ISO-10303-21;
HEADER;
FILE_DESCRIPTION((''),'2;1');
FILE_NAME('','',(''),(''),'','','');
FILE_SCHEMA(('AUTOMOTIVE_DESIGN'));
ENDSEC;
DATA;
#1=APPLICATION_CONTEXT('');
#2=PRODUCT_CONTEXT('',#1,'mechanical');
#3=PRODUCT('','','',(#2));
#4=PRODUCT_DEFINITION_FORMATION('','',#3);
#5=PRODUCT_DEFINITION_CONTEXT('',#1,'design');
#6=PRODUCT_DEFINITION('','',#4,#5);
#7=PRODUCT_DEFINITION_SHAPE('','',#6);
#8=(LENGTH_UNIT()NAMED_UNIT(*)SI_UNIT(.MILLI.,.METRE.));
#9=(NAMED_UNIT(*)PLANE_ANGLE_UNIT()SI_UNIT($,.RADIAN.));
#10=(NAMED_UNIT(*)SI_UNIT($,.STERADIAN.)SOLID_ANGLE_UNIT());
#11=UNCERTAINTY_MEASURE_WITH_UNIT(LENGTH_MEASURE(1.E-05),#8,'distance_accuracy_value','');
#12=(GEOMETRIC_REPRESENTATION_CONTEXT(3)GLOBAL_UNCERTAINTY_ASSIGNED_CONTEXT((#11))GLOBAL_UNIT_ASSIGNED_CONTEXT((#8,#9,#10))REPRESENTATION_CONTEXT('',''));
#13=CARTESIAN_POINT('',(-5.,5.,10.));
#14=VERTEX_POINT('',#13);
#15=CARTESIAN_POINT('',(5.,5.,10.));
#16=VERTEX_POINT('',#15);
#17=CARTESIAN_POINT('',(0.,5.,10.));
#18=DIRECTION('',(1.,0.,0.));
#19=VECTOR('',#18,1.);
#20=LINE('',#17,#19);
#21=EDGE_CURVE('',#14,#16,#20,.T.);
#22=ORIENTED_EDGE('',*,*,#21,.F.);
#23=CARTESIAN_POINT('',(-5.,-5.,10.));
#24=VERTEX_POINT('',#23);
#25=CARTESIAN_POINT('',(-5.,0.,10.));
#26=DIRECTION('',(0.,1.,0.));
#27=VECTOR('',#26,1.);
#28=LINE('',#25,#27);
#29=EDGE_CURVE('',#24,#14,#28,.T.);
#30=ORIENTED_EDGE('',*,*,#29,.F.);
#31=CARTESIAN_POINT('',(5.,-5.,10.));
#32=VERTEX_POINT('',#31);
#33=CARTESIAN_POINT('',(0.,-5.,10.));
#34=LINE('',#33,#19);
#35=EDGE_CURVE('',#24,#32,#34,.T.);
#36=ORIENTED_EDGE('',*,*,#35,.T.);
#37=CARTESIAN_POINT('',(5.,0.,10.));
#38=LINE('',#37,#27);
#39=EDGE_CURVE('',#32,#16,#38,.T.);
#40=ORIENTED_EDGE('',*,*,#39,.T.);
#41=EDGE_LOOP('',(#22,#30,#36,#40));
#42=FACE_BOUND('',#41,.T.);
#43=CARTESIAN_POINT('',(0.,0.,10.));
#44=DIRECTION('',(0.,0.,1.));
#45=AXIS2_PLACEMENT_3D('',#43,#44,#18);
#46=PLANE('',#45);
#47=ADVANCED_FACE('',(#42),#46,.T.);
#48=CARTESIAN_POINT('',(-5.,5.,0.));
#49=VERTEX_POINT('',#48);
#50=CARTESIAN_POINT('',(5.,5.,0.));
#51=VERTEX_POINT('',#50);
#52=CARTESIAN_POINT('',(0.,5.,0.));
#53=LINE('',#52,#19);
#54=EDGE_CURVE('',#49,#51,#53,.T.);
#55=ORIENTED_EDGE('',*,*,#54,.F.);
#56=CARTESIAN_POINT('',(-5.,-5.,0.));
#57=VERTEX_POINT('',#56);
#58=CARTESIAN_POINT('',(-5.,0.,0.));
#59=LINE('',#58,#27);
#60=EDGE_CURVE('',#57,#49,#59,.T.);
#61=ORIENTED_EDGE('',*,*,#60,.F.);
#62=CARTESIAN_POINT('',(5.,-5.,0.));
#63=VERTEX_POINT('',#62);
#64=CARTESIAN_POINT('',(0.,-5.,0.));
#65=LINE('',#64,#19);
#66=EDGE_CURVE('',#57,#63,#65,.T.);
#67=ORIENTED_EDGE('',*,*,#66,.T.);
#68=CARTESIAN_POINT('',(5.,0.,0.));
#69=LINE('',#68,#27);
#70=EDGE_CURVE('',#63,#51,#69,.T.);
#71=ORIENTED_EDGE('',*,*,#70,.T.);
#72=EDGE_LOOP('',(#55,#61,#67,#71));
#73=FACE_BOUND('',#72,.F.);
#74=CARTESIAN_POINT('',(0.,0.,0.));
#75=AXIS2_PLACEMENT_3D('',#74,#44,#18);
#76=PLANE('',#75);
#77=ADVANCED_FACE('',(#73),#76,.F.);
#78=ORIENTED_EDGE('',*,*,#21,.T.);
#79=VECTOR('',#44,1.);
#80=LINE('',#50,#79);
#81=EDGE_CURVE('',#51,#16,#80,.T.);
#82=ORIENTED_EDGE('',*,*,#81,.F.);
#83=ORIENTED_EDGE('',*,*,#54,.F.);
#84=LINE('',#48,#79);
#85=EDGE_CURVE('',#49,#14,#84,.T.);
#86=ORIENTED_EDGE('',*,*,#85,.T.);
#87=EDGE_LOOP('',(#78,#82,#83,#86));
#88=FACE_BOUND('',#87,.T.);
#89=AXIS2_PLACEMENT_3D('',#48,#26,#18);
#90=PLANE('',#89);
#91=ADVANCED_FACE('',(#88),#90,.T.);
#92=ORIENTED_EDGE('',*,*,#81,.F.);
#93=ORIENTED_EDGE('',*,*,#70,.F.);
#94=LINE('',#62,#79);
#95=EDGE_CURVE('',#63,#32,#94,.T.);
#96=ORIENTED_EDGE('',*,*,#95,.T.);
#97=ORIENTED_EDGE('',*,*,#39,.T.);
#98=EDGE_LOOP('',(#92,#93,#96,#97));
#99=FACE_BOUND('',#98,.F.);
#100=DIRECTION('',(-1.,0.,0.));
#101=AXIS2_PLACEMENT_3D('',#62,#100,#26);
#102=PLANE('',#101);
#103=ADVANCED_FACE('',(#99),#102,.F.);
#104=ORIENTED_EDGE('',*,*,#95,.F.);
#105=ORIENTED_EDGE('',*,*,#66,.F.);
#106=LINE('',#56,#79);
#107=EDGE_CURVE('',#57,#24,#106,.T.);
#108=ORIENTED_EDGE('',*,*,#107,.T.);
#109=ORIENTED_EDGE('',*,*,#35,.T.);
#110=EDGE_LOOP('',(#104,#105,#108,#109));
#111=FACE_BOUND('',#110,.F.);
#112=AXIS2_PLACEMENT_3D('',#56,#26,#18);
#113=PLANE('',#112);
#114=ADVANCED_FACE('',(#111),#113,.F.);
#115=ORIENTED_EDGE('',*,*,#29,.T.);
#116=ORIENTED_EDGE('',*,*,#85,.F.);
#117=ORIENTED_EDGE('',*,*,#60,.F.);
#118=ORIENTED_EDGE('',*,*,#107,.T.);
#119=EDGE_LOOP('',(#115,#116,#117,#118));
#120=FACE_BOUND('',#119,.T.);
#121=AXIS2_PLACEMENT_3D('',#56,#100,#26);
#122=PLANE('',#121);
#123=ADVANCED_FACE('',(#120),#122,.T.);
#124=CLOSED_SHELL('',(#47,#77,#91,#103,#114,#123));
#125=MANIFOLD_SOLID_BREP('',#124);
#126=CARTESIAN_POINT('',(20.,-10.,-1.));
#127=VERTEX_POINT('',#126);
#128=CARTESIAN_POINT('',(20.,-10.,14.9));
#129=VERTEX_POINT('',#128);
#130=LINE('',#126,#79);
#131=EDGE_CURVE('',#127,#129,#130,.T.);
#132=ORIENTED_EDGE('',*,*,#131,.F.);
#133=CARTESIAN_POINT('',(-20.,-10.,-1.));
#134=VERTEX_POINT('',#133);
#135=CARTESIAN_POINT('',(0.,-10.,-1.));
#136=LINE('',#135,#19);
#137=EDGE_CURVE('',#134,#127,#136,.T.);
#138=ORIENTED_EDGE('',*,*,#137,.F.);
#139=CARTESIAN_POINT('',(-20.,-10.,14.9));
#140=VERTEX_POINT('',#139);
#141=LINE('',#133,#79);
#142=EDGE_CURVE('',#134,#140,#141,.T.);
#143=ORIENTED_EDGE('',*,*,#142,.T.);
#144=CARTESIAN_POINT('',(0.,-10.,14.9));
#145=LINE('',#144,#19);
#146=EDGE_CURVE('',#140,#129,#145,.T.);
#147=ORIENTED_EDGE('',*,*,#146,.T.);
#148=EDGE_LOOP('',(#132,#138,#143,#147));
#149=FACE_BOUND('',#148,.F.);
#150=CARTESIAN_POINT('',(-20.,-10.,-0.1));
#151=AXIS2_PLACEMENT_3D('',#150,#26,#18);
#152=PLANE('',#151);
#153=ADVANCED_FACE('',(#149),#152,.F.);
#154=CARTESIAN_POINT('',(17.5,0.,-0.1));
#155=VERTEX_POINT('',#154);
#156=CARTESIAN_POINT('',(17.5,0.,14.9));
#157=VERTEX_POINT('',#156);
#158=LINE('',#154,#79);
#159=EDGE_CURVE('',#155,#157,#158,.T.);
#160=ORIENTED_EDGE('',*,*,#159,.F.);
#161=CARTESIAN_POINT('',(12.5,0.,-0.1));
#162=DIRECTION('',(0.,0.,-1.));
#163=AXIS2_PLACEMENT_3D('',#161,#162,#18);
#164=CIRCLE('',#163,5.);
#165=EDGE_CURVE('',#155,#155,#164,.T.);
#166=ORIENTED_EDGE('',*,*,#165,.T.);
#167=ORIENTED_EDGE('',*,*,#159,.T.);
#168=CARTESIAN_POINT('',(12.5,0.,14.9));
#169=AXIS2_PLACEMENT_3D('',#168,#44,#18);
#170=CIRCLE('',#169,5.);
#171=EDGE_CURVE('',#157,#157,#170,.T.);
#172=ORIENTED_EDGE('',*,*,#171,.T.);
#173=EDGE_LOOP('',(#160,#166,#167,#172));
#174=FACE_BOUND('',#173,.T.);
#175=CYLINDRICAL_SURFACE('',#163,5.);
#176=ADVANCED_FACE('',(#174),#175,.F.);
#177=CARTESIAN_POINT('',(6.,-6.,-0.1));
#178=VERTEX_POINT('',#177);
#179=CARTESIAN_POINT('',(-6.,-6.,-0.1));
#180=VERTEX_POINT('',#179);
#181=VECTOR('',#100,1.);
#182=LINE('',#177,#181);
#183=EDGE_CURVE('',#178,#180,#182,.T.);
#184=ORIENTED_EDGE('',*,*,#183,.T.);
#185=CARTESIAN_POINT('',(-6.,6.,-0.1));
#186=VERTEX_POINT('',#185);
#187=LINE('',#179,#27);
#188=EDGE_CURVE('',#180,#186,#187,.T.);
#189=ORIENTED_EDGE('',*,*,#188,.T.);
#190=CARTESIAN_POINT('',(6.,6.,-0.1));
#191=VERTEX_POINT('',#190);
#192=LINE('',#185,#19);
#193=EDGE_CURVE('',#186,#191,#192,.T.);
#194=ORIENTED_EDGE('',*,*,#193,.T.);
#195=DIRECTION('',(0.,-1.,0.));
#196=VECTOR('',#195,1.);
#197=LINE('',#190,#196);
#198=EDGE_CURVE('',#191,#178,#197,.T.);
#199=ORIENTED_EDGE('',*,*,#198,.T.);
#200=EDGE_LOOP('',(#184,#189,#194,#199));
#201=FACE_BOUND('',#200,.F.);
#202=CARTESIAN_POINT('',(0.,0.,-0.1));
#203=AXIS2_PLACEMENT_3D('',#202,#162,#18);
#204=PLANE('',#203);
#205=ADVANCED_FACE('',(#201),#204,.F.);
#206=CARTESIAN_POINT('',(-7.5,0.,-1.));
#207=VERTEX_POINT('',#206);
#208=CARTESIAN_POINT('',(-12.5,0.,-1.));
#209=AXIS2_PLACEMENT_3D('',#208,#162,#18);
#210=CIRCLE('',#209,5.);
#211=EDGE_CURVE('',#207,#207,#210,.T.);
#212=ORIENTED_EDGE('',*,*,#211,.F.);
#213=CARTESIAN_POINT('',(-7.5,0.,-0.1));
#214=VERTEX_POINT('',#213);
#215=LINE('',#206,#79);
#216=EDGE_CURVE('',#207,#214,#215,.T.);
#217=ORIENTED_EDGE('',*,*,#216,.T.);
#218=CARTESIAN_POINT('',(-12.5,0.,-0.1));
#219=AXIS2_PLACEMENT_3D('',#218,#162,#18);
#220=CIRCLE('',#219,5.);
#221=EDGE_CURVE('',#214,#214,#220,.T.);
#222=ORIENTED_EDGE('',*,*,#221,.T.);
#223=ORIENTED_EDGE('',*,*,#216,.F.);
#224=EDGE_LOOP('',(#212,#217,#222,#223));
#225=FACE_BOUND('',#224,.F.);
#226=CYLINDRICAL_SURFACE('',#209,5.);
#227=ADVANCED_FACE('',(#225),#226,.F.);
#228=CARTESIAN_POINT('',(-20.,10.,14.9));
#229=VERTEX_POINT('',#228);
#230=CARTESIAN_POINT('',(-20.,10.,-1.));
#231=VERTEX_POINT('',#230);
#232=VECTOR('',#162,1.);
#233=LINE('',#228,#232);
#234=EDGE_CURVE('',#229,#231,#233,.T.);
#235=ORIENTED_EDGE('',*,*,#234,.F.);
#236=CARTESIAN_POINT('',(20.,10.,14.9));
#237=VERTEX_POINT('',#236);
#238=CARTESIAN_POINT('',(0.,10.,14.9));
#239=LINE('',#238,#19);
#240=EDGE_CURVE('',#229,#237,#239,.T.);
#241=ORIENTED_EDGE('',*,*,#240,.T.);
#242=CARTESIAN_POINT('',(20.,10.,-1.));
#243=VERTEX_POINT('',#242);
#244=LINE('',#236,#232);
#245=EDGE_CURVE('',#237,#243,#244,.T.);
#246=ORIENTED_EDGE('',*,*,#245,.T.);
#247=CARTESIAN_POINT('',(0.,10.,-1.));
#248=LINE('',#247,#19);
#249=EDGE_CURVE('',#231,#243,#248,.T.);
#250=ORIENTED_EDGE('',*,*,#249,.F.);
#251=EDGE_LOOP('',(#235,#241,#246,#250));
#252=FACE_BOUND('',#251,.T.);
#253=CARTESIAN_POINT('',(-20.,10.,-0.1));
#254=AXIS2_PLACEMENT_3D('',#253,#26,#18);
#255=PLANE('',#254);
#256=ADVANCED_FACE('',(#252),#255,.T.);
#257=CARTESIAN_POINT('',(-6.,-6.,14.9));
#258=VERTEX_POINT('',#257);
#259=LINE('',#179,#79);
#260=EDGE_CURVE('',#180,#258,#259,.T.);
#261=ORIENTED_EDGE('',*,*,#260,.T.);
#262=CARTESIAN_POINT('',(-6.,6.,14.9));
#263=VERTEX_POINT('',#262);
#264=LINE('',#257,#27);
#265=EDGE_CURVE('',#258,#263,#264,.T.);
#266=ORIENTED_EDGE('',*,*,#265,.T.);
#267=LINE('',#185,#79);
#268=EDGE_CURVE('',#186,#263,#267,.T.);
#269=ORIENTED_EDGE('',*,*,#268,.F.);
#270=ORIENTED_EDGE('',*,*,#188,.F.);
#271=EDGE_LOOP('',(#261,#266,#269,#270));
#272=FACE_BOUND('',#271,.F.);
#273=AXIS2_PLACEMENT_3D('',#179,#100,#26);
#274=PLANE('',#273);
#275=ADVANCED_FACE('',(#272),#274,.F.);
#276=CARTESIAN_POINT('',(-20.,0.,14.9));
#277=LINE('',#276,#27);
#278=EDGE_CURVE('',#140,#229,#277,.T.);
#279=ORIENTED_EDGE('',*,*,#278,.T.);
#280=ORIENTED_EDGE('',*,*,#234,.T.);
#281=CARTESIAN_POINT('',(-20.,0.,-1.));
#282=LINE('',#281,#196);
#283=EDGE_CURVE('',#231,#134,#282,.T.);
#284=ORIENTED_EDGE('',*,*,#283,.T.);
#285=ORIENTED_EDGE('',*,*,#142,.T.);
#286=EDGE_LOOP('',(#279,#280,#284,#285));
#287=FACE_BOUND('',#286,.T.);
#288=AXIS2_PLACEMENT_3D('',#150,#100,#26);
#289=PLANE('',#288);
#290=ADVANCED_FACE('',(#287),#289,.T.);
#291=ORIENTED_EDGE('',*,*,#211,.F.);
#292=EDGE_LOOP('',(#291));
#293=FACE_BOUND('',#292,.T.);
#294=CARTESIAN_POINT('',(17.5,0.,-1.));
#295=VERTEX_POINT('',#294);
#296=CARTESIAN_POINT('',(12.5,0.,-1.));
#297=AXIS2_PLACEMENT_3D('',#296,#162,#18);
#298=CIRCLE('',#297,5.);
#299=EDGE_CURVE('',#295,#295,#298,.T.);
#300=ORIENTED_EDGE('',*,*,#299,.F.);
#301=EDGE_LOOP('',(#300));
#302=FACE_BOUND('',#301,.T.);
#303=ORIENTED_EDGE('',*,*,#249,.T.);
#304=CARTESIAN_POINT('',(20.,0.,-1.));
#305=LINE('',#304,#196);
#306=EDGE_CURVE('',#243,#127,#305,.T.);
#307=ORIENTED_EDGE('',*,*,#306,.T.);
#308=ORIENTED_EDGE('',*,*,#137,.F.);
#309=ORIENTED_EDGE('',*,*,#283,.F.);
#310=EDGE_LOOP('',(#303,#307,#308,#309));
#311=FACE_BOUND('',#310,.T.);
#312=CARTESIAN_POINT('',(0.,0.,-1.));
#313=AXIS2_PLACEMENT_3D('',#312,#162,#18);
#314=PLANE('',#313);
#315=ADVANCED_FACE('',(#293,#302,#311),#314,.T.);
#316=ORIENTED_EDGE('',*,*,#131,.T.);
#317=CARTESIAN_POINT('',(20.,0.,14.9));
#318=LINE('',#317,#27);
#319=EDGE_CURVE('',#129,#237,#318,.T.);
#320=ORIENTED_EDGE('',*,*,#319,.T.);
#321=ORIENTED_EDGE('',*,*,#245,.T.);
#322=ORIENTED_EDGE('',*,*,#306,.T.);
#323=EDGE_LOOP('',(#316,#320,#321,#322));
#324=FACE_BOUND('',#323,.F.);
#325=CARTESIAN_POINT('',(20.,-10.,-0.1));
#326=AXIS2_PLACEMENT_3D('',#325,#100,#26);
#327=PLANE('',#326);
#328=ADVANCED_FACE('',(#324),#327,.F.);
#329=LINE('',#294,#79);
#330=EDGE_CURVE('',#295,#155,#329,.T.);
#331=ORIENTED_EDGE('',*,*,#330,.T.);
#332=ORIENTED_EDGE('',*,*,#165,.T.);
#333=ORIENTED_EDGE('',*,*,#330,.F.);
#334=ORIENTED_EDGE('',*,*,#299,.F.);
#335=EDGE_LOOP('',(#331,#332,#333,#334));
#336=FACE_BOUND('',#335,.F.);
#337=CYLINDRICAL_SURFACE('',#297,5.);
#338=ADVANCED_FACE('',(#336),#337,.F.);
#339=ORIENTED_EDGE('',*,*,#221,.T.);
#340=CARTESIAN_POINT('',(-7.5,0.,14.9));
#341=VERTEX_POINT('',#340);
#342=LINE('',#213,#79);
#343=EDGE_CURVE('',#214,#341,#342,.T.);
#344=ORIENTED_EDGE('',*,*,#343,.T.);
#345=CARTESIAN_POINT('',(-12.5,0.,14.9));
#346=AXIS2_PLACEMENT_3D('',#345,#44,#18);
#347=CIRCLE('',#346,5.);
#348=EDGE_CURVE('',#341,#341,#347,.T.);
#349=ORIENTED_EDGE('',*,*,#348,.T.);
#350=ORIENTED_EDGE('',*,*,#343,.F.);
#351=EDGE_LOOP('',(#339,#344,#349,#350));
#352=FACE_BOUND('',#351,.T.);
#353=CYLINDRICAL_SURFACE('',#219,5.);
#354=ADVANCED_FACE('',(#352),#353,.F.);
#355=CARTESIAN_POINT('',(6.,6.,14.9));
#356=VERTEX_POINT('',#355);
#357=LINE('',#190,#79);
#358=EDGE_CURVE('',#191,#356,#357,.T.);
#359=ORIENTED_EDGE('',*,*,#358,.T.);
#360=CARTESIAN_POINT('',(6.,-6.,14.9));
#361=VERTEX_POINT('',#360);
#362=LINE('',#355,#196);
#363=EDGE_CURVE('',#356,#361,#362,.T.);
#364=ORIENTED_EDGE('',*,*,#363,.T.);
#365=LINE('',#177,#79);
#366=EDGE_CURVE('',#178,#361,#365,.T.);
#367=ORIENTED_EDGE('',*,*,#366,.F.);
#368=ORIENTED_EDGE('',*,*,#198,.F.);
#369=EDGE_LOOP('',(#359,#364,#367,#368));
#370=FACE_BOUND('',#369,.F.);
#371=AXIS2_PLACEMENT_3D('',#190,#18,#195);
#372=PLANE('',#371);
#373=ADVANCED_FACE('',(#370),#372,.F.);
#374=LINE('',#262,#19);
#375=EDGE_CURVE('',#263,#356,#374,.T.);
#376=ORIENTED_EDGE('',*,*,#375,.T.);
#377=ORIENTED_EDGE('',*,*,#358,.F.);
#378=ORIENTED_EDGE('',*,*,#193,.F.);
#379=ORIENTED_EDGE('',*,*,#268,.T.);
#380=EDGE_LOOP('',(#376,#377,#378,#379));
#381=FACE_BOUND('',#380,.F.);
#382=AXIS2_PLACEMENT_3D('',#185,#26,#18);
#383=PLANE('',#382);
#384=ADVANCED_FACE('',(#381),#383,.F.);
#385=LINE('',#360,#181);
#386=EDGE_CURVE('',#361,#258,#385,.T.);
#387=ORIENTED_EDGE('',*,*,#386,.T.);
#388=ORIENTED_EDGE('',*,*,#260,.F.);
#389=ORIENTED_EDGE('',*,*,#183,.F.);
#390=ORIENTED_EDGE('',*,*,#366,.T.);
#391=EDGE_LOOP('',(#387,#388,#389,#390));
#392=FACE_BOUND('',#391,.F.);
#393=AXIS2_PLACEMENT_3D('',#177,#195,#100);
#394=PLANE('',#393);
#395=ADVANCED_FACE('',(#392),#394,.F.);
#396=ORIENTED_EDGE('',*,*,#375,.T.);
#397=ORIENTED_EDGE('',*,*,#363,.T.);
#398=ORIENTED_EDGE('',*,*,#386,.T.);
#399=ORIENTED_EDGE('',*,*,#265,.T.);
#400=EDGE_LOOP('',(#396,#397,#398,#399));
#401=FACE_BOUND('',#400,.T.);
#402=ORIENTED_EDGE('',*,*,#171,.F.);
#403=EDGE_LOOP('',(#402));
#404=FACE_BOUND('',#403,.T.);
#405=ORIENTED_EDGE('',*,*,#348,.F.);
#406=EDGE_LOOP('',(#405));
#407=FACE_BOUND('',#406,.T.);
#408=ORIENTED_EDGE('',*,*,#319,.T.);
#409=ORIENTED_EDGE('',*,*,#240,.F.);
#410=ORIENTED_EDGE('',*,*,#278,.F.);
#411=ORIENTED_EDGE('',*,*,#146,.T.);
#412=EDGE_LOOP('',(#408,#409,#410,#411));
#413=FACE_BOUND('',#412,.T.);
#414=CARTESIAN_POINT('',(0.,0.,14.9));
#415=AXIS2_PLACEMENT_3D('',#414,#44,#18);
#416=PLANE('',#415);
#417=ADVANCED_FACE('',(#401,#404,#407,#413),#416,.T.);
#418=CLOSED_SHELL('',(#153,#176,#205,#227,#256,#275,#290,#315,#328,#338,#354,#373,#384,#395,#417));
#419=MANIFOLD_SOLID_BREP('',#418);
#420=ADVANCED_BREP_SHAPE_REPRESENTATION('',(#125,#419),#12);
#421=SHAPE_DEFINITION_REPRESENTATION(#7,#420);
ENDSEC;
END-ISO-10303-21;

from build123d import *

# Parameters (mm, degrees)
F0_W     = 10
F0_H     = 10
F1_DEPTH = 10
F3_W     = 40
F3_H     = 20
F3_R     = 5
F4_DEPTH = 0.9
F5_W     = 40
F5_H     = 20
F5_R     = 5
F6_DEPTH = 15


with BuildPart() as f1:
    # F0 (on Top) → F1 (new body)
    with BuildSketch(Plane.XY):
        Rectangle(F0_W, F0_H)
    extrude(amount=F1_DEPTH)


with BuildPart() as f4:
    # F3 (on offset) → F4 (new body)
    with BuildSketch(Plane(origin=(0, 0, -1), x_dir=(1, 0, 0), z_dir=(0, 0, -1))):
        Rectangle(F3_W, F3_H)
        with Locations((-12.5, 0)):
            Circle(F3_R, mode=Mode.SUBTRACT)
        with Locations((12.5, 0)):
            Circle(F3_R, mode=Mode.SUBTRACT)
    extrude(amount=-F4_DEPTH)

    # F5 (on face) → F6 (join)
    with BuildSketch(Plane.XY.offset(-0.1)):
        Rectangle(F5_W, F5_H)
        with Locations((-12.5, 0)):
            Circle(F5_R, mode=Mode.SUBTRACT)
        Polygon((0, 6), (6, 6), (6, -6), (0, -6), (-6, -6), (-6, 6), align=None, mode=Mode.SUBTRACT)
        with Locations((12.5, 0)):
            Circle(F5_R, mode=Mode.SUBTRACT)
    extrude(amount=F6_DEPTH)


solid = Compound([f1.part, f4.part])
